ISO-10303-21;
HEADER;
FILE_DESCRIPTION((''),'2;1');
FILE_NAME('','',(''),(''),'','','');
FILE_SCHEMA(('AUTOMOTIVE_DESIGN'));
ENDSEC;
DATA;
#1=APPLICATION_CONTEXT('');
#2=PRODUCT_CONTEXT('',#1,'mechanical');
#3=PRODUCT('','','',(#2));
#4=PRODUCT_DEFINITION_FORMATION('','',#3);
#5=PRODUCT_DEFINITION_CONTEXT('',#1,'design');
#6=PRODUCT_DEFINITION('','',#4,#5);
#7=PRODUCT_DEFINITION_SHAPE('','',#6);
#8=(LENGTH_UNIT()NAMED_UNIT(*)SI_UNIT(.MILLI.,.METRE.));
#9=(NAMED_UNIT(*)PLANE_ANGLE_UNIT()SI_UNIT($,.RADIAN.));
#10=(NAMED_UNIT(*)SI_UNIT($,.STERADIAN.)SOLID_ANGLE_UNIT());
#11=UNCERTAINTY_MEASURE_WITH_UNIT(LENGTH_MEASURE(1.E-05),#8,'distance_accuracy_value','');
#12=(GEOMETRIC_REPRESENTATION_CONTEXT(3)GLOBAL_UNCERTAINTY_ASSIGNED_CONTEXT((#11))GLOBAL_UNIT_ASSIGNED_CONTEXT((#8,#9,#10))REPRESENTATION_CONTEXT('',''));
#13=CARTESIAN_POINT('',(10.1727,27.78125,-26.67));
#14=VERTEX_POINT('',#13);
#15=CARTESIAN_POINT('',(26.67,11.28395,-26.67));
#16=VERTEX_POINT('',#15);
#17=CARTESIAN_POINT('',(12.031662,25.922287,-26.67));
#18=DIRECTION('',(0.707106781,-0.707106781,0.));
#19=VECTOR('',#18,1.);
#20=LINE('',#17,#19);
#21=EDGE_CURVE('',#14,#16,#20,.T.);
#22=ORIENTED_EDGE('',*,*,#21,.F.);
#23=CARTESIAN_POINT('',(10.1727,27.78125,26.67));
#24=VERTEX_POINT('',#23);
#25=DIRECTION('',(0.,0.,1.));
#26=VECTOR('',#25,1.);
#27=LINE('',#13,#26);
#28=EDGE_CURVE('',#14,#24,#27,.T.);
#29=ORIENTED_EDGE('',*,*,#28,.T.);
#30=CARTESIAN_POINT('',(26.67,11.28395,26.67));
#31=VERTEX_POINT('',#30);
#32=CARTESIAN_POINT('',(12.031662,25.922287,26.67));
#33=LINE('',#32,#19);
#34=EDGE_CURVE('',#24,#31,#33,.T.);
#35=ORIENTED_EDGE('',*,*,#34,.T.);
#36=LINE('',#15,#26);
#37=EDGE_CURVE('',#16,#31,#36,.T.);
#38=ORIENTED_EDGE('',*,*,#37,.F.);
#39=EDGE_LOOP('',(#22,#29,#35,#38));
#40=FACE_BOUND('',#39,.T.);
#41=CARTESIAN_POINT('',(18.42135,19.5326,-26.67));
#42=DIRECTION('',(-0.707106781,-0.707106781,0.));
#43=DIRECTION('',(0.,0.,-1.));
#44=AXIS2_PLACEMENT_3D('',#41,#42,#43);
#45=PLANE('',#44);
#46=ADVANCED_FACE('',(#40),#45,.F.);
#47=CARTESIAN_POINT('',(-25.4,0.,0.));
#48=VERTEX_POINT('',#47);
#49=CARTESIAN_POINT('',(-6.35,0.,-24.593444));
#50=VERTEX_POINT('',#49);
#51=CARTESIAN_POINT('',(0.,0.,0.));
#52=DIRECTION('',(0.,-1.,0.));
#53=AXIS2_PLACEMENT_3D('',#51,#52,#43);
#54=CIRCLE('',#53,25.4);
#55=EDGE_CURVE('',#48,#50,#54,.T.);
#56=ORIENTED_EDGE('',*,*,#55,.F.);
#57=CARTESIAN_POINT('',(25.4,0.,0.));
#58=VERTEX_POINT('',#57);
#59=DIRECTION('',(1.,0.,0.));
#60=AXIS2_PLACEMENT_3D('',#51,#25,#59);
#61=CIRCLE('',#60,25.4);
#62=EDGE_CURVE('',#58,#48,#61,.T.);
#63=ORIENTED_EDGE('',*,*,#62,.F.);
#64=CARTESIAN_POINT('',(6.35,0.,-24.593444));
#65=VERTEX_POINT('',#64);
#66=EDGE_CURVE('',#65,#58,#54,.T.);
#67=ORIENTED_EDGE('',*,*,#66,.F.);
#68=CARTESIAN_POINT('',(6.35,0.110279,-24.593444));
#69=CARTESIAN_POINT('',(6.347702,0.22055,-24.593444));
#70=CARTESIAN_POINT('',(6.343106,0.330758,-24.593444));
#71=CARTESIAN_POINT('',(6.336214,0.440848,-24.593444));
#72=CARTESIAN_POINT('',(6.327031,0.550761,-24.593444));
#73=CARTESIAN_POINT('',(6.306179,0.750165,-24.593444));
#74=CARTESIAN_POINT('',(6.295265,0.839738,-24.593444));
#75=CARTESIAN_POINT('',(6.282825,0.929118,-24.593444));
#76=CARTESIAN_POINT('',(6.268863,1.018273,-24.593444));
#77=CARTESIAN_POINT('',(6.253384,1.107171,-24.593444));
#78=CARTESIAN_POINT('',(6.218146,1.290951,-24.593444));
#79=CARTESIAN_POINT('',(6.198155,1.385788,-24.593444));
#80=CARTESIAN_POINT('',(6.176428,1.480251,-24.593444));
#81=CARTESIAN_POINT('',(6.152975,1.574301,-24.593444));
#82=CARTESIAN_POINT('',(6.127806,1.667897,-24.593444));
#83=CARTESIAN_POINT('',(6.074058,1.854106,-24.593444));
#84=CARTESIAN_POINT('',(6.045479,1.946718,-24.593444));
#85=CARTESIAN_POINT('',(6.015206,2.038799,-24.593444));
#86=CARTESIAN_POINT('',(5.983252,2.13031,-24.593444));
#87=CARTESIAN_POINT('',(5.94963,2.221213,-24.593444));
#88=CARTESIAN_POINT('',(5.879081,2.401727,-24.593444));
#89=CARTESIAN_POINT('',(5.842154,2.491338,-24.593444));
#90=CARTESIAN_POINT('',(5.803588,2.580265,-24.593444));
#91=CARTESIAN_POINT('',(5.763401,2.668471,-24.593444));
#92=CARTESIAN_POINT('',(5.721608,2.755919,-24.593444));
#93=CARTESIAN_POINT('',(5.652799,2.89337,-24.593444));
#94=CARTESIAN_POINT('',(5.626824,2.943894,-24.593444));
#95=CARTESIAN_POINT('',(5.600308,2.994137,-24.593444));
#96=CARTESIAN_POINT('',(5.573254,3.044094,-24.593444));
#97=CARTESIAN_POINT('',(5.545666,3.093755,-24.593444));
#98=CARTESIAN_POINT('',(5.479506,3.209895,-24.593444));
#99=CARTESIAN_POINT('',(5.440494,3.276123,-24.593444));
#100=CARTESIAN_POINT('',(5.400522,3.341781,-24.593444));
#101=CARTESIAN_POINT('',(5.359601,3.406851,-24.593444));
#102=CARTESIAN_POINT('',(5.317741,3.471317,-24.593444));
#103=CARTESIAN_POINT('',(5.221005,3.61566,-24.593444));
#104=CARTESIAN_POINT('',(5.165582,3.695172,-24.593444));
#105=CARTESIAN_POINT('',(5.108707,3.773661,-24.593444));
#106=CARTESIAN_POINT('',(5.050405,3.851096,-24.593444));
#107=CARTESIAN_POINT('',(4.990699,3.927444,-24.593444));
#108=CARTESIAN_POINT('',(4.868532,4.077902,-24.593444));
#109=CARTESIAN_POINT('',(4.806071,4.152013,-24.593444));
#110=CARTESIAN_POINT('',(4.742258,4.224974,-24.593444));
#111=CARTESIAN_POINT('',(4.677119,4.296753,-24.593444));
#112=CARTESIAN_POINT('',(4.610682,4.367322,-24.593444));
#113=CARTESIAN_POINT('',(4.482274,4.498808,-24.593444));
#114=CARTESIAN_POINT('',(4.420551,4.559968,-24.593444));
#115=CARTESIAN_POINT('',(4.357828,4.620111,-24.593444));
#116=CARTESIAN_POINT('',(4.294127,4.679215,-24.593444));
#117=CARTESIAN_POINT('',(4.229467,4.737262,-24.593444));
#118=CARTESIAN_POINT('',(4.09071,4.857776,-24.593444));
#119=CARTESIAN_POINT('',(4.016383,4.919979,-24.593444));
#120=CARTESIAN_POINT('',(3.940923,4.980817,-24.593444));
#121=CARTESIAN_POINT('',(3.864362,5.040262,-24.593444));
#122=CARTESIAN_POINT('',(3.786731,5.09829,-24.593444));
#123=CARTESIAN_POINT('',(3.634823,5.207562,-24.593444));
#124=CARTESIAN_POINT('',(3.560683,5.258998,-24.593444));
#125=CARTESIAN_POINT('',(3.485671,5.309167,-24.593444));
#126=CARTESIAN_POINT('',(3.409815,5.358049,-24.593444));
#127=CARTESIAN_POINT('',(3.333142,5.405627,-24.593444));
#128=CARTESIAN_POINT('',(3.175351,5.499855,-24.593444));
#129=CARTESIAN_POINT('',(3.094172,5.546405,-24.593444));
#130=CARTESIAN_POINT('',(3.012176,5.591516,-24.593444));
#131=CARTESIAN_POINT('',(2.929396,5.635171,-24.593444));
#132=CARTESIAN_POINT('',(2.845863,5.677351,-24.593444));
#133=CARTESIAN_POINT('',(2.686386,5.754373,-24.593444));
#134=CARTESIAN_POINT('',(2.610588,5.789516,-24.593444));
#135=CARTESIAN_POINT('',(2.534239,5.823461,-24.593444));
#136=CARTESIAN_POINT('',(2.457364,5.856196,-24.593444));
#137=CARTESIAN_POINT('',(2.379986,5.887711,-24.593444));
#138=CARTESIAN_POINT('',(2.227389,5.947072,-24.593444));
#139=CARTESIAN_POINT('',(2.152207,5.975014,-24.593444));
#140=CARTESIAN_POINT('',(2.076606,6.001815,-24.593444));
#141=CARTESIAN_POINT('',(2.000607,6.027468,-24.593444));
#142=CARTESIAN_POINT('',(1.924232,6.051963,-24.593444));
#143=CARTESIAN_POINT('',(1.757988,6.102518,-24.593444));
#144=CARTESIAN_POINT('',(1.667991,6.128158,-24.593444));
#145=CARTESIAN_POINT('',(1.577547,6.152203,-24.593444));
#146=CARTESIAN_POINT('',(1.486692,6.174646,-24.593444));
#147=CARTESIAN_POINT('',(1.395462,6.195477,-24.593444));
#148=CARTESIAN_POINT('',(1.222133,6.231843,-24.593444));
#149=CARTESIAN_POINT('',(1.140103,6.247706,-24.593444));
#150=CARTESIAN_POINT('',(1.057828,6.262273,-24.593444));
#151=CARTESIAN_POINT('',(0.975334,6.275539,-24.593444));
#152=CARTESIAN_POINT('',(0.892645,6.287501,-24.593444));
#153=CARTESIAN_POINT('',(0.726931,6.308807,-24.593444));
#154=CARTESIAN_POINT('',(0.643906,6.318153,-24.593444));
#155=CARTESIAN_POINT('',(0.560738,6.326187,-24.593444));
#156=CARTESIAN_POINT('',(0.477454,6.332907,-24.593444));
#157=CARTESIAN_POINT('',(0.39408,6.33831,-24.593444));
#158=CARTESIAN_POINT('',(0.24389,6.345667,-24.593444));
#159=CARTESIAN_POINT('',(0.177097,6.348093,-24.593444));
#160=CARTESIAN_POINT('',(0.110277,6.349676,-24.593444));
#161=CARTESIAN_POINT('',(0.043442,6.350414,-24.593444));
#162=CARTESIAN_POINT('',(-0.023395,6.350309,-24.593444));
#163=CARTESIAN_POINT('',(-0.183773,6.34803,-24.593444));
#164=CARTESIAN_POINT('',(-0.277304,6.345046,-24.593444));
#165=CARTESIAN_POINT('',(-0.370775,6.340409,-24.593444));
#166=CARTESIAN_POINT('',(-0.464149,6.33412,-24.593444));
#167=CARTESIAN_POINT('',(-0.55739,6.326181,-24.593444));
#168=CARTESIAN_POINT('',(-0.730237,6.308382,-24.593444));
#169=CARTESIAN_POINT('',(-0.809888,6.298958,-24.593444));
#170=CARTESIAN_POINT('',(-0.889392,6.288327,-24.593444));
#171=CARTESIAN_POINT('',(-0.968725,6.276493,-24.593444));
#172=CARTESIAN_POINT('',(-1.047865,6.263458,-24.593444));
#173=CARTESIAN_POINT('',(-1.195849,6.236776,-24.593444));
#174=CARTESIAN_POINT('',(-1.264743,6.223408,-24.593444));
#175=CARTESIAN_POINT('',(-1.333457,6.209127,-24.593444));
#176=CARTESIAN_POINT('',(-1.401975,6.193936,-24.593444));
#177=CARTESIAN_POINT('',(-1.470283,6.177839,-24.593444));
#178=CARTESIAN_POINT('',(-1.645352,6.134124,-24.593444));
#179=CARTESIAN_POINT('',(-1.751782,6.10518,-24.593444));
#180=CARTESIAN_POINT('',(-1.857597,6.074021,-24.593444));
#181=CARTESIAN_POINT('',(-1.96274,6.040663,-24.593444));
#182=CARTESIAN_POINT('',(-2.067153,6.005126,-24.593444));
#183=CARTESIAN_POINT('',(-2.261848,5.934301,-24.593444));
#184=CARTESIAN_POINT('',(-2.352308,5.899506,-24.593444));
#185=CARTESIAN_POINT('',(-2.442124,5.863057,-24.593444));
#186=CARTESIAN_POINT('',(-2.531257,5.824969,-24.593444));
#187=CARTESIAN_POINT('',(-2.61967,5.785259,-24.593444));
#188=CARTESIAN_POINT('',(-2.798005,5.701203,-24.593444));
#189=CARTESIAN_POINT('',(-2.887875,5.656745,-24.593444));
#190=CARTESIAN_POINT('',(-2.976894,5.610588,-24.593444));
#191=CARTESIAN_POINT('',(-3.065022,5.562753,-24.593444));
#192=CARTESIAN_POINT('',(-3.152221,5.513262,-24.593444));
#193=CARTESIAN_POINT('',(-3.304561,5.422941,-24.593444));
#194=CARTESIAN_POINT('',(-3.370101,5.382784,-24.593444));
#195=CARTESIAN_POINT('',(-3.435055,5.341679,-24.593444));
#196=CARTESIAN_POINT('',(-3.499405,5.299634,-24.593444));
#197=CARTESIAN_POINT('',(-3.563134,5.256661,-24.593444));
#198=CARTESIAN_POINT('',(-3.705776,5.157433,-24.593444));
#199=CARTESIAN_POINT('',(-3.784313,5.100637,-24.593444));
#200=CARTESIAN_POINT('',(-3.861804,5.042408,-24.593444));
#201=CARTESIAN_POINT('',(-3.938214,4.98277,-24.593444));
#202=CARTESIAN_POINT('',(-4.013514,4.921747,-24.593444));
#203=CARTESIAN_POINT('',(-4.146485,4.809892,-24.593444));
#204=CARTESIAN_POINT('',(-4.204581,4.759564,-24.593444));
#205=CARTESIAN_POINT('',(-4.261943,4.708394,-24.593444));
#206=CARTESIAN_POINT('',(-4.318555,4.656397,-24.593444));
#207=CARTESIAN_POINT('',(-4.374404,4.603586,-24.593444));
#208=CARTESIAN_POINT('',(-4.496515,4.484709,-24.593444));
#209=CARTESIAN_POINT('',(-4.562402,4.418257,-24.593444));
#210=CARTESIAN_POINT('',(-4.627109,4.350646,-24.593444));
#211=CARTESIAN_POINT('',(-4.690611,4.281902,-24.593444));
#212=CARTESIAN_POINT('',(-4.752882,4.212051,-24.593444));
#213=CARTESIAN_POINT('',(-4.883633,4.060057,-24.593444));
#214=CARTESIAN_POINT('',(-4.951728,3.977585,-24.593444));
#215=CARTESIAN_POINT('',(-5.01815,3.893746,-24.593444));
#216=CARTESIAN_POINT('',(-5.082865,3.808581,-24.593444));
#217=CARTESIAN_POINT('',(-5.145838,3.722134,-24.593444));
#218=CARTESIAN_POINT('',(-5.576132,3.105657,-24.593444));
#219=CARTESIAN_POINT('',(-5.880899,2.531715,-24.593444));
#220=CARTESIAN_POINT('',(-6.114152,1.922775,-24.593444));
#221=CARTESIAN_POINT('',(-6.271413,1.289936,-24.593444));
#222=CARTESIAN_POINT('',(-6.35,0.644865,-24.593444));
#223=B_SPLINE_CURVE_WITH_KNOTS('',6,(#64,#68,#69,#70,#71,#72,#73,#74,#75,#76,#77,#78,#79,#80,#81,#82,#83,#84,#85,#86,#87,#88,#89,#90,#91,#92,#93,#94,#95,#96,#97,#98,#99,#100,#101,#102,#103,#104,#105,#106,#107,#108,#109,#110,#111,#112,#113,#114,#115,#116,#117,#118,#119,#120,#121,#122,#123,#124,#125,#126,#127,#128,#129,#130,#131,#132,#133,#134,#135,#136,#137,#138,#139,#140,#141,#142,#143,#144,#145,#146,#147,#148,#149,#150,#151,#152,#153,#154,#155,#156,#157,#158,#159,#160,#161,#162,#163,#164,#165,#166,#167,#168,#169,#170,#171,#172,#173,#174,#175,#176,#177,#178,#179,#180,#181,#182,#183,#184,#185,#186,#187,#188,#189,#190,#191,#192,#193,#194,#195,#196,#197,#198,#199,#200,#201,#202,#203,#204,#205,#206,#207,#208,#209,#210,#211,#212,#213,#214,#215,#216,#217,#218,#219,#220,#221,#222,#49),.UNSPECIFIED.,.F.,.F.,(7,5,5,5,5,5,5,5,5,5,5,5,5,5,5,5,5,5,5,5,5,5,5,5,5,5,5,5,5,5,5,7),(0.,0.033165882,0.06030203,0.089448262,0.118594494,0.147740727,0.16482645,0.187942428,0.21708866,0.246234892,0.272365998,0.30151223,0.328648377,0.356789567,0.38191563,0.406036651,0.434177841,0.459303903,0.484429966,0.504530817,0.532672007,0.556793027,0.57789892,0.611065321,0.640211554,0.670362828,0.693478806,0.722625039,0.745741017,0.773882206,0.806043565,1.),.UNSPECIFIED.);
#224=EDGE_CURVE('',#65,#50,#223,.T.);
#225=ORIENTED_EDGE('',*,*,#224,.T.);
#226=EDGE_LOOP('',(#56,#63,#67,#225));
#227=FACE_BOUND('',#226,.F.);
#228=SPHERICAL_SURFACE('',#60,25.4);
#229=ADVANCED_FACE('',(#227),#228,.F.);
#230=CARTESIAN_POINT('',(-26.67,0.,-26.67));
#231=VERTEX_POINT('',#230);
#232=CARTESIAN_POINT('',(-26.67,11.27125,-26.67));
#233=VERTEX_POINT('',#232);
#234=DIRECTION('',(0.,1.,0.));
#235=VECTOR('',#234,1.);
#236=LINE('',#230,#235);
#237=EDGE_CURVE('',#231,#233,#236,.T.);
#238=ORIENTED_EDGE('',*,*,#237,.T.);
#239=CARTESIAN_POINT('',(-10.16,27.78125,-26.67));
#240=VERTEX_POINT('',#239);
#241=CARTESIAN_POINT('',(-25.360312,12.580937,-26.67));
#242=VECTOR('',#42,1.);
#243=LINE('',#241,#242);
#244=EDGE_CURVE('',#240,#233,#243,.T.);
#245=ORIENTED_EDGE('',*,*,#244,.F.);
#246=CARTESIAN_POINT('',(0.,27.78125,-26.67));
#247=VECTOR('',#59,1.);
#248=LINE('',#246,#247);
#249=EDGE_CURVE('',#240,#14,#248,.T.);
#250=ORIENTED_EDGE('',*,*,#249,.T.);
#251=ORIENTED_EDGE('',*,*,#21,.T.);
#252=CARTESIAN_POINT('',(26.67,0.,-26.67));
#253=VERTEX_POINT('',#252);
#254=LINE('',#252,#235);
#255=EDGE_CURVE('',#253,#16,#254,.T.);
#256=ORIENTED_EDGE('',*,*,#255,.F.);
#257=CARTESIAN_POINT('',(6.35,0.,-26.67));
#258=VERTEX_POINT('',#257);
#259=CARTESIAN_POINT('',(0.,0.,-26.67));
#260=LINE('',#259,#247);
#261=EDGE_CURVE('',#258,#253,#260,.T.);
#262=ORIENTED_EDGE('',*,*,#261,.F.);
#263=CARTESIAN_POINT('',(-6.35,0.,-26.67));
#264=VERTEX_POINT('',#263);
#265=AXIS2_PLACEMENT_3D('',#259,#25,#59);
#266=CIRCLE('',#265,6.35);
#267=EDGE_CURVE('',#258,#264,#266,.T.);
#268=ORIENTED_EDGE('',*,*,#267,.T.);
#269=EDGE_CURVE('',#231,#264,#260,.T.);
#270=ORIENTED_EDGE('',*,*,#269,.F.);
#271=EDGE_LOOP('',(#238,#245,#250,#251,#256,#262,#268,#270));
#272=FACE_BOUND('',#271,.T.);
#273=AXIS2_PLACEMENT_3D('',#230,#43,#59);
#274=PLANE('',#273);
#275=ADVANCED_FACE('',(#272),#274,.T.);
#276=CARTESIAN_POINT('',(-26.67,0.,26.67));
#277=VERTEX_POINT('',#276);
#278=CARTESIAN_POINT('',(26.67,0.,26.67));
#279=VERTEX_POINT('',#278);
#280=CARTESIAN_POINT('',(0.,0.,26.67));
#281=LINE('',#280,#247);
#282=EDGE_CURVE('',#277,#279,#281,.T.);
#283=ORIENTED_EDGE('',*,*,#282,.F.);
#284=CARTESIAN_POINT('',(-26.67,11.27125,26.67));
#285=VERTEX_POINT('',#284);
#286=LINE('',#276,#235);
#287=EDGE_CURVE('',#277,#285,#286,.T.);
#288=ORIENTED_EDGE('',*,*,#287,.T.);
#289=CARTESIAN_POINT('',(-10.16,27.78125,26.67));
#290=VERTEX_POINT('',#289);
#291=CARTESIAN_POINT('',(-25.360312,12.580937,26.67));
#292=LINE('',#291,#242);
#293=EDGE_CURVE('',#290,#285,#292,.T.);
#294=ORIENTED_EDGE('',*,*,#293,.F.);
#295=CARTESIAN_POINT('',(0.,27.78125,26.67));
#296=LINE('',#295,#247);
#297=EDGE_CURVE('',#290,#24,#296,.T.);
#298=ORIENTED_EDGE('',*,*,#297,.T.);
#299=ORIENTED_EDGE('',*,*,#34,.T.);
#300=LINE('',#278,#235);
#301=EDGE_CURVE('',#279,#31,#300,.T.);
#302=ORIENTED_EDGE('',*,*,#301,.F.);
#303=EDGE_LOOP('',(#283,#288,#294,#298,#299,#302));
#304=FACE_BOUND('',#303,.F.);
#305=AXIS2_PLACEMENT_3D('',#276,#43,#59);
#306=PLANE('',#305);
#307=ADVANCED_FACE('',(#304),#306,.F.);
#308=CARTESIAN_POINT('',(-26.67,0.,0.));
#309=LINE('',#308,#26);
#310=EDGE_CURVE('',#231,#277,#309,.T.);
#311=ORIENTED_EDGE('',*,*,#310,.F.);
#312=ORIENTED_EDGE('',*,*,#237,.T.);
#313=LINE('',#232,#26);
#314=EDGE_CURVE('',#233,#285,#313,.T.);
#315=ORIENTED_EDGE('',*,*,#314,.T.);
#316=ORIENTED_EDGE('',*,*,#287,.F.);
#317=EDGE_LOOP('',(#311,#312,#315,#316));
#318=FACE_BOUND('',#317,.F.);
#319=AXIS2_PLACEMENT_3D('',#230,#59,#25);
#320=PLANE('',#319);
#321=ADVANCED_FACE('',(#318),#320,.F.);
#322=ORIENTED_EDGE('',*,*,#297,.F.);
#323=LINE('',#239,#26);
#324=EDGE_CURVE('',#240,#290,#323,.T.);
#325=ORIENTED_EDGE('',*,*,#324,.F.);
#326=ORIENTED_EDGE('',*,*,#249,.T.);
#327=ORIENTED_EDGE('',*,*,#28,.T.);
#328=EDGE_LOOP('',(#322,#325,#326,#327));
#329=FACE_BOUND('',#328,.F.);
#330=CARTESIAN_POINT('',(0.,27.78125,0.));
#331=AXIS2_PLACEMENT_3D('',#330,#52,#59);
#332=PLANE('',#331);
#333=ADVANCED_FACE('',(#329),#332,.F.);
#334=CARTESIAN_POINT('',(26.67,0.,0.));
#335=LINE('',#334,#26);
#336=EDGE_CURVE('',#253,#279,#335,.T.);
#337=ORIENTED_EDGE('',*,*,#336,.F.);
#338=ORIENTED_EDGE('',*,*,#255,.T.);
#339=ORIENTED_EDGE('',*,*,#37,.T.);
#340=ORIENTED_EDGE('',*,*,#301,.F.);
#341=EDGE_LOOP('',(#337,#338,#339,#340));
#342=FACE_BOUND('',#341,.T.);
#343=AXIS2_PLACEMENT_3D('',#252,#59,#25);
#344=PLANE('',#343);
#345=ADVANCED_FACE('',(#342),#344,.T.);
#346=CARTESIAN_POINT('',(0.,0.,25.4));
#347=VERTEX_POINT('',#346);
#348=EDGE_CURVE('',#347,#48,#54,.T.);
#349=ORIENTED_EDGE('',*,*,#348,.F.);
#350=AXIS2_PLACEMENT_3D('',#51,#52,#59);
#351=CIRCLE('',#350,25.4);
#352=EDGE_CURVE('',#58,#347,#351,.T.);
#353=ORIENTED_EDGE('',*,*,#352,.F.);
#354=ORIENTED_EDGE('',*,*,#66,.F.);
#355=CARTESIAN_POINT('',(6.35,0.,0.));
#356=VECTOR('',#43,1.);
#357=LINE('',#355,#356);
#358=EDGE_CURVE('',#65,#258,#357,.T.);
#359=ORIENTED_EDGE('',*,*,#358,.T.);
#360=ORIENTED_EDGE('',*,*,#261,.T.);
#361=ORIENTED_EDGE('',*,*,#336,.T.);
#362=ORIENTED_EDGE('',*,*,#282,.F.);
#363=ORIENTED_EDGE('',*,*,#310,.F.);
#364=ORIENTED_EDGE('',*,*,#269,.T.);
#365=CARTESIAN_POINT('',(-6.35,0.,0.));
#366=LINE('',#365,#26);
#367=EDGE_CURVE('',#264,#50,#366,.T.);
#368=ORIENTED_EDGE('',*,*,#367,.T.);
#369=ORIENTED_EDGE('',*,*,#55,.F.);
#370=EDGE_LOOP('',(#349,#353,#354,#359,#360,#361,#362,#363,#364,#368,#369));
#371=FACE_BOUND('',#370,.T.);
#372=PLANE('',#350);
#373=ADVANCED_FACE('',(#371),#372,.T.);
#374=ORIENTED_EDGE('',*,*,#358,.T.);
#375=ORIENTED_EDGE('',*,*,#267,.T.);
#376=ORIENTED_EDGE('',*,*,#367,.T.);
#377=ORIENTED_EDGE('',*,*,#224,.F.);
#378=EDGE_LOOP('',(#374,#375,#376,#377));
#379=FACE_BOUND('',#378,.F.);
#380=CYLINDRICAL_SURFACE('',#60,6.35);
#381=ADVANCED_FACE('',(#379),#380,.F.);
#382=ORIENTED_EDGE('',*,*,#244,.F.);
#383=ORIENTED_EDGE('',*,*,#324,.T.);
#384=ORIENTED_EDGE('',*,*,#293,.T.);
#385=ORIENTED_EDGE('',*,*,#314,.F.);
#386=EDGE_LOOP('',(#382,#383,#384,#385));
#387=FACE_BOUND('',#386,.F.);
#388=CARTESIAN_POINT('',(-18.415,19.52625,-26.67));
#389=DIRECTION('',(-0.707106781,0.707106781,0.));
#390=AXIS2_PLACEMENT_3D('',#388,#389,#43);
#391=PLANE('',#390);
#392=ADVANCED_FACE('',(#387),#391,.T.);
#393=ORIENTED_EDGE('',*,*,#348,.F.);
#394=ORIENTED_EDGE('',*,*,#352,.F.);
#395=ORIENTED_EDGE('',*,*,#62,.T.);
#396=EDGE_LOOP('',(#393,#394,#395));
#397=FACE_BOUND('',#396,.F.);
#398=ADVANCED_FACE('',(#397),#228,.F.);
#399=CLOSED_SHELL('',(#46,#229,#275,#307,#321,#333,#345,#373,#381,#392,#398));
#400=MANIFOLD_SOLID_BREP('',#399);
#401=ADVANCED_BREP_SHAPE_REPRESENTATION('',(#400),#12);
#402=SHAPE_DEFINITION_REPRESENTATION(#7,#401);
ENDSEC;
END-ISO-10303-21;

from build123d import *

# Parameters (mm, degrees)
F0_W     = 53.34
F0_H     = 53.34
F1_DEPTH = 27.78125
F3_R     = 6.35
F4_DEPTH = 38.1
F5_SIZE  = 16.4973
F6_SIZE  = 16.51


with BuildPart() as f1:
    # F0 (on Front) → F1 (new body)
    with BuildSketch(Plane.XZ):
        Rectangle(F0_W, F0_H)
        with BuildLine():
            ThreePointArc((0, 25.4), (17.9605122421, 17.9605122421), (25.4, 0))
            ThreePointArc((25.4, 0), (17.9605122421, -17.9605122421), (0, -25.4))
            ThreePointArc((0, -25.4), (-25.4, 0), (0, 25.4))
        make_face(mode=Mode.SUBTRACT)
        with BuildLine():
            Line((0, -25.4), (0, 25.4))
            ThreePointArc((0, 25.4), (-25.4, 0), (0, -25.4))
        make_face()
        with BuildLine():
            ThreePointArc((0, -25.4), (17.9605122421, -17.9605122421), (25.4, 0))
            ThreePointArc((25.4, 0), (17.9605122421, 17.9605122421), (0, 25.4))
            Line((0, 25.4), (0, -25.4))
        make_face()
    extrude(amount=-F1_DEPTH)

    # F0 (on Front) → F2 (revolve, cut)
    with BuildSketch(Plane.XZ):
        with BuildLine():
            ThreePointArc((0, -25.4), (17.9605122421, -17.9605122421), (25.4, 0))
            ThreePointArc((25.4, 0), (17.9605122421, 17.9605122421), (0, 25.4))
            Line((0, 25.4), (0, -25.4))
        make_face()
    revolve(axis=Axis((0, 0, 0), (0, 0, 1)), mode=Mode.SUBTRACT)

    # F3 (on Top) → F4 (cut)
    with BuildSketch(Plane.XY):
        Circle(F3_R)
    extrude(amount=-F4_DEPTH, mode=Mode.SUBTRACT)

    # F5
    f5_edges = [f1.edges().sort_by_distance(p)[0] for p in [
        (26.67, 27.78125, 0),
    ]]
    chamfer(f5_edges, length=F5_SIZE)

    # F6
    f6_edges = [f1.edges().sort_by_distance(p)[0] for p in [
        (-26.67, 27.78125, 0),
    ]]
    chamfer(f6_edges, length=F6_SIZE)


solid = f1.part
